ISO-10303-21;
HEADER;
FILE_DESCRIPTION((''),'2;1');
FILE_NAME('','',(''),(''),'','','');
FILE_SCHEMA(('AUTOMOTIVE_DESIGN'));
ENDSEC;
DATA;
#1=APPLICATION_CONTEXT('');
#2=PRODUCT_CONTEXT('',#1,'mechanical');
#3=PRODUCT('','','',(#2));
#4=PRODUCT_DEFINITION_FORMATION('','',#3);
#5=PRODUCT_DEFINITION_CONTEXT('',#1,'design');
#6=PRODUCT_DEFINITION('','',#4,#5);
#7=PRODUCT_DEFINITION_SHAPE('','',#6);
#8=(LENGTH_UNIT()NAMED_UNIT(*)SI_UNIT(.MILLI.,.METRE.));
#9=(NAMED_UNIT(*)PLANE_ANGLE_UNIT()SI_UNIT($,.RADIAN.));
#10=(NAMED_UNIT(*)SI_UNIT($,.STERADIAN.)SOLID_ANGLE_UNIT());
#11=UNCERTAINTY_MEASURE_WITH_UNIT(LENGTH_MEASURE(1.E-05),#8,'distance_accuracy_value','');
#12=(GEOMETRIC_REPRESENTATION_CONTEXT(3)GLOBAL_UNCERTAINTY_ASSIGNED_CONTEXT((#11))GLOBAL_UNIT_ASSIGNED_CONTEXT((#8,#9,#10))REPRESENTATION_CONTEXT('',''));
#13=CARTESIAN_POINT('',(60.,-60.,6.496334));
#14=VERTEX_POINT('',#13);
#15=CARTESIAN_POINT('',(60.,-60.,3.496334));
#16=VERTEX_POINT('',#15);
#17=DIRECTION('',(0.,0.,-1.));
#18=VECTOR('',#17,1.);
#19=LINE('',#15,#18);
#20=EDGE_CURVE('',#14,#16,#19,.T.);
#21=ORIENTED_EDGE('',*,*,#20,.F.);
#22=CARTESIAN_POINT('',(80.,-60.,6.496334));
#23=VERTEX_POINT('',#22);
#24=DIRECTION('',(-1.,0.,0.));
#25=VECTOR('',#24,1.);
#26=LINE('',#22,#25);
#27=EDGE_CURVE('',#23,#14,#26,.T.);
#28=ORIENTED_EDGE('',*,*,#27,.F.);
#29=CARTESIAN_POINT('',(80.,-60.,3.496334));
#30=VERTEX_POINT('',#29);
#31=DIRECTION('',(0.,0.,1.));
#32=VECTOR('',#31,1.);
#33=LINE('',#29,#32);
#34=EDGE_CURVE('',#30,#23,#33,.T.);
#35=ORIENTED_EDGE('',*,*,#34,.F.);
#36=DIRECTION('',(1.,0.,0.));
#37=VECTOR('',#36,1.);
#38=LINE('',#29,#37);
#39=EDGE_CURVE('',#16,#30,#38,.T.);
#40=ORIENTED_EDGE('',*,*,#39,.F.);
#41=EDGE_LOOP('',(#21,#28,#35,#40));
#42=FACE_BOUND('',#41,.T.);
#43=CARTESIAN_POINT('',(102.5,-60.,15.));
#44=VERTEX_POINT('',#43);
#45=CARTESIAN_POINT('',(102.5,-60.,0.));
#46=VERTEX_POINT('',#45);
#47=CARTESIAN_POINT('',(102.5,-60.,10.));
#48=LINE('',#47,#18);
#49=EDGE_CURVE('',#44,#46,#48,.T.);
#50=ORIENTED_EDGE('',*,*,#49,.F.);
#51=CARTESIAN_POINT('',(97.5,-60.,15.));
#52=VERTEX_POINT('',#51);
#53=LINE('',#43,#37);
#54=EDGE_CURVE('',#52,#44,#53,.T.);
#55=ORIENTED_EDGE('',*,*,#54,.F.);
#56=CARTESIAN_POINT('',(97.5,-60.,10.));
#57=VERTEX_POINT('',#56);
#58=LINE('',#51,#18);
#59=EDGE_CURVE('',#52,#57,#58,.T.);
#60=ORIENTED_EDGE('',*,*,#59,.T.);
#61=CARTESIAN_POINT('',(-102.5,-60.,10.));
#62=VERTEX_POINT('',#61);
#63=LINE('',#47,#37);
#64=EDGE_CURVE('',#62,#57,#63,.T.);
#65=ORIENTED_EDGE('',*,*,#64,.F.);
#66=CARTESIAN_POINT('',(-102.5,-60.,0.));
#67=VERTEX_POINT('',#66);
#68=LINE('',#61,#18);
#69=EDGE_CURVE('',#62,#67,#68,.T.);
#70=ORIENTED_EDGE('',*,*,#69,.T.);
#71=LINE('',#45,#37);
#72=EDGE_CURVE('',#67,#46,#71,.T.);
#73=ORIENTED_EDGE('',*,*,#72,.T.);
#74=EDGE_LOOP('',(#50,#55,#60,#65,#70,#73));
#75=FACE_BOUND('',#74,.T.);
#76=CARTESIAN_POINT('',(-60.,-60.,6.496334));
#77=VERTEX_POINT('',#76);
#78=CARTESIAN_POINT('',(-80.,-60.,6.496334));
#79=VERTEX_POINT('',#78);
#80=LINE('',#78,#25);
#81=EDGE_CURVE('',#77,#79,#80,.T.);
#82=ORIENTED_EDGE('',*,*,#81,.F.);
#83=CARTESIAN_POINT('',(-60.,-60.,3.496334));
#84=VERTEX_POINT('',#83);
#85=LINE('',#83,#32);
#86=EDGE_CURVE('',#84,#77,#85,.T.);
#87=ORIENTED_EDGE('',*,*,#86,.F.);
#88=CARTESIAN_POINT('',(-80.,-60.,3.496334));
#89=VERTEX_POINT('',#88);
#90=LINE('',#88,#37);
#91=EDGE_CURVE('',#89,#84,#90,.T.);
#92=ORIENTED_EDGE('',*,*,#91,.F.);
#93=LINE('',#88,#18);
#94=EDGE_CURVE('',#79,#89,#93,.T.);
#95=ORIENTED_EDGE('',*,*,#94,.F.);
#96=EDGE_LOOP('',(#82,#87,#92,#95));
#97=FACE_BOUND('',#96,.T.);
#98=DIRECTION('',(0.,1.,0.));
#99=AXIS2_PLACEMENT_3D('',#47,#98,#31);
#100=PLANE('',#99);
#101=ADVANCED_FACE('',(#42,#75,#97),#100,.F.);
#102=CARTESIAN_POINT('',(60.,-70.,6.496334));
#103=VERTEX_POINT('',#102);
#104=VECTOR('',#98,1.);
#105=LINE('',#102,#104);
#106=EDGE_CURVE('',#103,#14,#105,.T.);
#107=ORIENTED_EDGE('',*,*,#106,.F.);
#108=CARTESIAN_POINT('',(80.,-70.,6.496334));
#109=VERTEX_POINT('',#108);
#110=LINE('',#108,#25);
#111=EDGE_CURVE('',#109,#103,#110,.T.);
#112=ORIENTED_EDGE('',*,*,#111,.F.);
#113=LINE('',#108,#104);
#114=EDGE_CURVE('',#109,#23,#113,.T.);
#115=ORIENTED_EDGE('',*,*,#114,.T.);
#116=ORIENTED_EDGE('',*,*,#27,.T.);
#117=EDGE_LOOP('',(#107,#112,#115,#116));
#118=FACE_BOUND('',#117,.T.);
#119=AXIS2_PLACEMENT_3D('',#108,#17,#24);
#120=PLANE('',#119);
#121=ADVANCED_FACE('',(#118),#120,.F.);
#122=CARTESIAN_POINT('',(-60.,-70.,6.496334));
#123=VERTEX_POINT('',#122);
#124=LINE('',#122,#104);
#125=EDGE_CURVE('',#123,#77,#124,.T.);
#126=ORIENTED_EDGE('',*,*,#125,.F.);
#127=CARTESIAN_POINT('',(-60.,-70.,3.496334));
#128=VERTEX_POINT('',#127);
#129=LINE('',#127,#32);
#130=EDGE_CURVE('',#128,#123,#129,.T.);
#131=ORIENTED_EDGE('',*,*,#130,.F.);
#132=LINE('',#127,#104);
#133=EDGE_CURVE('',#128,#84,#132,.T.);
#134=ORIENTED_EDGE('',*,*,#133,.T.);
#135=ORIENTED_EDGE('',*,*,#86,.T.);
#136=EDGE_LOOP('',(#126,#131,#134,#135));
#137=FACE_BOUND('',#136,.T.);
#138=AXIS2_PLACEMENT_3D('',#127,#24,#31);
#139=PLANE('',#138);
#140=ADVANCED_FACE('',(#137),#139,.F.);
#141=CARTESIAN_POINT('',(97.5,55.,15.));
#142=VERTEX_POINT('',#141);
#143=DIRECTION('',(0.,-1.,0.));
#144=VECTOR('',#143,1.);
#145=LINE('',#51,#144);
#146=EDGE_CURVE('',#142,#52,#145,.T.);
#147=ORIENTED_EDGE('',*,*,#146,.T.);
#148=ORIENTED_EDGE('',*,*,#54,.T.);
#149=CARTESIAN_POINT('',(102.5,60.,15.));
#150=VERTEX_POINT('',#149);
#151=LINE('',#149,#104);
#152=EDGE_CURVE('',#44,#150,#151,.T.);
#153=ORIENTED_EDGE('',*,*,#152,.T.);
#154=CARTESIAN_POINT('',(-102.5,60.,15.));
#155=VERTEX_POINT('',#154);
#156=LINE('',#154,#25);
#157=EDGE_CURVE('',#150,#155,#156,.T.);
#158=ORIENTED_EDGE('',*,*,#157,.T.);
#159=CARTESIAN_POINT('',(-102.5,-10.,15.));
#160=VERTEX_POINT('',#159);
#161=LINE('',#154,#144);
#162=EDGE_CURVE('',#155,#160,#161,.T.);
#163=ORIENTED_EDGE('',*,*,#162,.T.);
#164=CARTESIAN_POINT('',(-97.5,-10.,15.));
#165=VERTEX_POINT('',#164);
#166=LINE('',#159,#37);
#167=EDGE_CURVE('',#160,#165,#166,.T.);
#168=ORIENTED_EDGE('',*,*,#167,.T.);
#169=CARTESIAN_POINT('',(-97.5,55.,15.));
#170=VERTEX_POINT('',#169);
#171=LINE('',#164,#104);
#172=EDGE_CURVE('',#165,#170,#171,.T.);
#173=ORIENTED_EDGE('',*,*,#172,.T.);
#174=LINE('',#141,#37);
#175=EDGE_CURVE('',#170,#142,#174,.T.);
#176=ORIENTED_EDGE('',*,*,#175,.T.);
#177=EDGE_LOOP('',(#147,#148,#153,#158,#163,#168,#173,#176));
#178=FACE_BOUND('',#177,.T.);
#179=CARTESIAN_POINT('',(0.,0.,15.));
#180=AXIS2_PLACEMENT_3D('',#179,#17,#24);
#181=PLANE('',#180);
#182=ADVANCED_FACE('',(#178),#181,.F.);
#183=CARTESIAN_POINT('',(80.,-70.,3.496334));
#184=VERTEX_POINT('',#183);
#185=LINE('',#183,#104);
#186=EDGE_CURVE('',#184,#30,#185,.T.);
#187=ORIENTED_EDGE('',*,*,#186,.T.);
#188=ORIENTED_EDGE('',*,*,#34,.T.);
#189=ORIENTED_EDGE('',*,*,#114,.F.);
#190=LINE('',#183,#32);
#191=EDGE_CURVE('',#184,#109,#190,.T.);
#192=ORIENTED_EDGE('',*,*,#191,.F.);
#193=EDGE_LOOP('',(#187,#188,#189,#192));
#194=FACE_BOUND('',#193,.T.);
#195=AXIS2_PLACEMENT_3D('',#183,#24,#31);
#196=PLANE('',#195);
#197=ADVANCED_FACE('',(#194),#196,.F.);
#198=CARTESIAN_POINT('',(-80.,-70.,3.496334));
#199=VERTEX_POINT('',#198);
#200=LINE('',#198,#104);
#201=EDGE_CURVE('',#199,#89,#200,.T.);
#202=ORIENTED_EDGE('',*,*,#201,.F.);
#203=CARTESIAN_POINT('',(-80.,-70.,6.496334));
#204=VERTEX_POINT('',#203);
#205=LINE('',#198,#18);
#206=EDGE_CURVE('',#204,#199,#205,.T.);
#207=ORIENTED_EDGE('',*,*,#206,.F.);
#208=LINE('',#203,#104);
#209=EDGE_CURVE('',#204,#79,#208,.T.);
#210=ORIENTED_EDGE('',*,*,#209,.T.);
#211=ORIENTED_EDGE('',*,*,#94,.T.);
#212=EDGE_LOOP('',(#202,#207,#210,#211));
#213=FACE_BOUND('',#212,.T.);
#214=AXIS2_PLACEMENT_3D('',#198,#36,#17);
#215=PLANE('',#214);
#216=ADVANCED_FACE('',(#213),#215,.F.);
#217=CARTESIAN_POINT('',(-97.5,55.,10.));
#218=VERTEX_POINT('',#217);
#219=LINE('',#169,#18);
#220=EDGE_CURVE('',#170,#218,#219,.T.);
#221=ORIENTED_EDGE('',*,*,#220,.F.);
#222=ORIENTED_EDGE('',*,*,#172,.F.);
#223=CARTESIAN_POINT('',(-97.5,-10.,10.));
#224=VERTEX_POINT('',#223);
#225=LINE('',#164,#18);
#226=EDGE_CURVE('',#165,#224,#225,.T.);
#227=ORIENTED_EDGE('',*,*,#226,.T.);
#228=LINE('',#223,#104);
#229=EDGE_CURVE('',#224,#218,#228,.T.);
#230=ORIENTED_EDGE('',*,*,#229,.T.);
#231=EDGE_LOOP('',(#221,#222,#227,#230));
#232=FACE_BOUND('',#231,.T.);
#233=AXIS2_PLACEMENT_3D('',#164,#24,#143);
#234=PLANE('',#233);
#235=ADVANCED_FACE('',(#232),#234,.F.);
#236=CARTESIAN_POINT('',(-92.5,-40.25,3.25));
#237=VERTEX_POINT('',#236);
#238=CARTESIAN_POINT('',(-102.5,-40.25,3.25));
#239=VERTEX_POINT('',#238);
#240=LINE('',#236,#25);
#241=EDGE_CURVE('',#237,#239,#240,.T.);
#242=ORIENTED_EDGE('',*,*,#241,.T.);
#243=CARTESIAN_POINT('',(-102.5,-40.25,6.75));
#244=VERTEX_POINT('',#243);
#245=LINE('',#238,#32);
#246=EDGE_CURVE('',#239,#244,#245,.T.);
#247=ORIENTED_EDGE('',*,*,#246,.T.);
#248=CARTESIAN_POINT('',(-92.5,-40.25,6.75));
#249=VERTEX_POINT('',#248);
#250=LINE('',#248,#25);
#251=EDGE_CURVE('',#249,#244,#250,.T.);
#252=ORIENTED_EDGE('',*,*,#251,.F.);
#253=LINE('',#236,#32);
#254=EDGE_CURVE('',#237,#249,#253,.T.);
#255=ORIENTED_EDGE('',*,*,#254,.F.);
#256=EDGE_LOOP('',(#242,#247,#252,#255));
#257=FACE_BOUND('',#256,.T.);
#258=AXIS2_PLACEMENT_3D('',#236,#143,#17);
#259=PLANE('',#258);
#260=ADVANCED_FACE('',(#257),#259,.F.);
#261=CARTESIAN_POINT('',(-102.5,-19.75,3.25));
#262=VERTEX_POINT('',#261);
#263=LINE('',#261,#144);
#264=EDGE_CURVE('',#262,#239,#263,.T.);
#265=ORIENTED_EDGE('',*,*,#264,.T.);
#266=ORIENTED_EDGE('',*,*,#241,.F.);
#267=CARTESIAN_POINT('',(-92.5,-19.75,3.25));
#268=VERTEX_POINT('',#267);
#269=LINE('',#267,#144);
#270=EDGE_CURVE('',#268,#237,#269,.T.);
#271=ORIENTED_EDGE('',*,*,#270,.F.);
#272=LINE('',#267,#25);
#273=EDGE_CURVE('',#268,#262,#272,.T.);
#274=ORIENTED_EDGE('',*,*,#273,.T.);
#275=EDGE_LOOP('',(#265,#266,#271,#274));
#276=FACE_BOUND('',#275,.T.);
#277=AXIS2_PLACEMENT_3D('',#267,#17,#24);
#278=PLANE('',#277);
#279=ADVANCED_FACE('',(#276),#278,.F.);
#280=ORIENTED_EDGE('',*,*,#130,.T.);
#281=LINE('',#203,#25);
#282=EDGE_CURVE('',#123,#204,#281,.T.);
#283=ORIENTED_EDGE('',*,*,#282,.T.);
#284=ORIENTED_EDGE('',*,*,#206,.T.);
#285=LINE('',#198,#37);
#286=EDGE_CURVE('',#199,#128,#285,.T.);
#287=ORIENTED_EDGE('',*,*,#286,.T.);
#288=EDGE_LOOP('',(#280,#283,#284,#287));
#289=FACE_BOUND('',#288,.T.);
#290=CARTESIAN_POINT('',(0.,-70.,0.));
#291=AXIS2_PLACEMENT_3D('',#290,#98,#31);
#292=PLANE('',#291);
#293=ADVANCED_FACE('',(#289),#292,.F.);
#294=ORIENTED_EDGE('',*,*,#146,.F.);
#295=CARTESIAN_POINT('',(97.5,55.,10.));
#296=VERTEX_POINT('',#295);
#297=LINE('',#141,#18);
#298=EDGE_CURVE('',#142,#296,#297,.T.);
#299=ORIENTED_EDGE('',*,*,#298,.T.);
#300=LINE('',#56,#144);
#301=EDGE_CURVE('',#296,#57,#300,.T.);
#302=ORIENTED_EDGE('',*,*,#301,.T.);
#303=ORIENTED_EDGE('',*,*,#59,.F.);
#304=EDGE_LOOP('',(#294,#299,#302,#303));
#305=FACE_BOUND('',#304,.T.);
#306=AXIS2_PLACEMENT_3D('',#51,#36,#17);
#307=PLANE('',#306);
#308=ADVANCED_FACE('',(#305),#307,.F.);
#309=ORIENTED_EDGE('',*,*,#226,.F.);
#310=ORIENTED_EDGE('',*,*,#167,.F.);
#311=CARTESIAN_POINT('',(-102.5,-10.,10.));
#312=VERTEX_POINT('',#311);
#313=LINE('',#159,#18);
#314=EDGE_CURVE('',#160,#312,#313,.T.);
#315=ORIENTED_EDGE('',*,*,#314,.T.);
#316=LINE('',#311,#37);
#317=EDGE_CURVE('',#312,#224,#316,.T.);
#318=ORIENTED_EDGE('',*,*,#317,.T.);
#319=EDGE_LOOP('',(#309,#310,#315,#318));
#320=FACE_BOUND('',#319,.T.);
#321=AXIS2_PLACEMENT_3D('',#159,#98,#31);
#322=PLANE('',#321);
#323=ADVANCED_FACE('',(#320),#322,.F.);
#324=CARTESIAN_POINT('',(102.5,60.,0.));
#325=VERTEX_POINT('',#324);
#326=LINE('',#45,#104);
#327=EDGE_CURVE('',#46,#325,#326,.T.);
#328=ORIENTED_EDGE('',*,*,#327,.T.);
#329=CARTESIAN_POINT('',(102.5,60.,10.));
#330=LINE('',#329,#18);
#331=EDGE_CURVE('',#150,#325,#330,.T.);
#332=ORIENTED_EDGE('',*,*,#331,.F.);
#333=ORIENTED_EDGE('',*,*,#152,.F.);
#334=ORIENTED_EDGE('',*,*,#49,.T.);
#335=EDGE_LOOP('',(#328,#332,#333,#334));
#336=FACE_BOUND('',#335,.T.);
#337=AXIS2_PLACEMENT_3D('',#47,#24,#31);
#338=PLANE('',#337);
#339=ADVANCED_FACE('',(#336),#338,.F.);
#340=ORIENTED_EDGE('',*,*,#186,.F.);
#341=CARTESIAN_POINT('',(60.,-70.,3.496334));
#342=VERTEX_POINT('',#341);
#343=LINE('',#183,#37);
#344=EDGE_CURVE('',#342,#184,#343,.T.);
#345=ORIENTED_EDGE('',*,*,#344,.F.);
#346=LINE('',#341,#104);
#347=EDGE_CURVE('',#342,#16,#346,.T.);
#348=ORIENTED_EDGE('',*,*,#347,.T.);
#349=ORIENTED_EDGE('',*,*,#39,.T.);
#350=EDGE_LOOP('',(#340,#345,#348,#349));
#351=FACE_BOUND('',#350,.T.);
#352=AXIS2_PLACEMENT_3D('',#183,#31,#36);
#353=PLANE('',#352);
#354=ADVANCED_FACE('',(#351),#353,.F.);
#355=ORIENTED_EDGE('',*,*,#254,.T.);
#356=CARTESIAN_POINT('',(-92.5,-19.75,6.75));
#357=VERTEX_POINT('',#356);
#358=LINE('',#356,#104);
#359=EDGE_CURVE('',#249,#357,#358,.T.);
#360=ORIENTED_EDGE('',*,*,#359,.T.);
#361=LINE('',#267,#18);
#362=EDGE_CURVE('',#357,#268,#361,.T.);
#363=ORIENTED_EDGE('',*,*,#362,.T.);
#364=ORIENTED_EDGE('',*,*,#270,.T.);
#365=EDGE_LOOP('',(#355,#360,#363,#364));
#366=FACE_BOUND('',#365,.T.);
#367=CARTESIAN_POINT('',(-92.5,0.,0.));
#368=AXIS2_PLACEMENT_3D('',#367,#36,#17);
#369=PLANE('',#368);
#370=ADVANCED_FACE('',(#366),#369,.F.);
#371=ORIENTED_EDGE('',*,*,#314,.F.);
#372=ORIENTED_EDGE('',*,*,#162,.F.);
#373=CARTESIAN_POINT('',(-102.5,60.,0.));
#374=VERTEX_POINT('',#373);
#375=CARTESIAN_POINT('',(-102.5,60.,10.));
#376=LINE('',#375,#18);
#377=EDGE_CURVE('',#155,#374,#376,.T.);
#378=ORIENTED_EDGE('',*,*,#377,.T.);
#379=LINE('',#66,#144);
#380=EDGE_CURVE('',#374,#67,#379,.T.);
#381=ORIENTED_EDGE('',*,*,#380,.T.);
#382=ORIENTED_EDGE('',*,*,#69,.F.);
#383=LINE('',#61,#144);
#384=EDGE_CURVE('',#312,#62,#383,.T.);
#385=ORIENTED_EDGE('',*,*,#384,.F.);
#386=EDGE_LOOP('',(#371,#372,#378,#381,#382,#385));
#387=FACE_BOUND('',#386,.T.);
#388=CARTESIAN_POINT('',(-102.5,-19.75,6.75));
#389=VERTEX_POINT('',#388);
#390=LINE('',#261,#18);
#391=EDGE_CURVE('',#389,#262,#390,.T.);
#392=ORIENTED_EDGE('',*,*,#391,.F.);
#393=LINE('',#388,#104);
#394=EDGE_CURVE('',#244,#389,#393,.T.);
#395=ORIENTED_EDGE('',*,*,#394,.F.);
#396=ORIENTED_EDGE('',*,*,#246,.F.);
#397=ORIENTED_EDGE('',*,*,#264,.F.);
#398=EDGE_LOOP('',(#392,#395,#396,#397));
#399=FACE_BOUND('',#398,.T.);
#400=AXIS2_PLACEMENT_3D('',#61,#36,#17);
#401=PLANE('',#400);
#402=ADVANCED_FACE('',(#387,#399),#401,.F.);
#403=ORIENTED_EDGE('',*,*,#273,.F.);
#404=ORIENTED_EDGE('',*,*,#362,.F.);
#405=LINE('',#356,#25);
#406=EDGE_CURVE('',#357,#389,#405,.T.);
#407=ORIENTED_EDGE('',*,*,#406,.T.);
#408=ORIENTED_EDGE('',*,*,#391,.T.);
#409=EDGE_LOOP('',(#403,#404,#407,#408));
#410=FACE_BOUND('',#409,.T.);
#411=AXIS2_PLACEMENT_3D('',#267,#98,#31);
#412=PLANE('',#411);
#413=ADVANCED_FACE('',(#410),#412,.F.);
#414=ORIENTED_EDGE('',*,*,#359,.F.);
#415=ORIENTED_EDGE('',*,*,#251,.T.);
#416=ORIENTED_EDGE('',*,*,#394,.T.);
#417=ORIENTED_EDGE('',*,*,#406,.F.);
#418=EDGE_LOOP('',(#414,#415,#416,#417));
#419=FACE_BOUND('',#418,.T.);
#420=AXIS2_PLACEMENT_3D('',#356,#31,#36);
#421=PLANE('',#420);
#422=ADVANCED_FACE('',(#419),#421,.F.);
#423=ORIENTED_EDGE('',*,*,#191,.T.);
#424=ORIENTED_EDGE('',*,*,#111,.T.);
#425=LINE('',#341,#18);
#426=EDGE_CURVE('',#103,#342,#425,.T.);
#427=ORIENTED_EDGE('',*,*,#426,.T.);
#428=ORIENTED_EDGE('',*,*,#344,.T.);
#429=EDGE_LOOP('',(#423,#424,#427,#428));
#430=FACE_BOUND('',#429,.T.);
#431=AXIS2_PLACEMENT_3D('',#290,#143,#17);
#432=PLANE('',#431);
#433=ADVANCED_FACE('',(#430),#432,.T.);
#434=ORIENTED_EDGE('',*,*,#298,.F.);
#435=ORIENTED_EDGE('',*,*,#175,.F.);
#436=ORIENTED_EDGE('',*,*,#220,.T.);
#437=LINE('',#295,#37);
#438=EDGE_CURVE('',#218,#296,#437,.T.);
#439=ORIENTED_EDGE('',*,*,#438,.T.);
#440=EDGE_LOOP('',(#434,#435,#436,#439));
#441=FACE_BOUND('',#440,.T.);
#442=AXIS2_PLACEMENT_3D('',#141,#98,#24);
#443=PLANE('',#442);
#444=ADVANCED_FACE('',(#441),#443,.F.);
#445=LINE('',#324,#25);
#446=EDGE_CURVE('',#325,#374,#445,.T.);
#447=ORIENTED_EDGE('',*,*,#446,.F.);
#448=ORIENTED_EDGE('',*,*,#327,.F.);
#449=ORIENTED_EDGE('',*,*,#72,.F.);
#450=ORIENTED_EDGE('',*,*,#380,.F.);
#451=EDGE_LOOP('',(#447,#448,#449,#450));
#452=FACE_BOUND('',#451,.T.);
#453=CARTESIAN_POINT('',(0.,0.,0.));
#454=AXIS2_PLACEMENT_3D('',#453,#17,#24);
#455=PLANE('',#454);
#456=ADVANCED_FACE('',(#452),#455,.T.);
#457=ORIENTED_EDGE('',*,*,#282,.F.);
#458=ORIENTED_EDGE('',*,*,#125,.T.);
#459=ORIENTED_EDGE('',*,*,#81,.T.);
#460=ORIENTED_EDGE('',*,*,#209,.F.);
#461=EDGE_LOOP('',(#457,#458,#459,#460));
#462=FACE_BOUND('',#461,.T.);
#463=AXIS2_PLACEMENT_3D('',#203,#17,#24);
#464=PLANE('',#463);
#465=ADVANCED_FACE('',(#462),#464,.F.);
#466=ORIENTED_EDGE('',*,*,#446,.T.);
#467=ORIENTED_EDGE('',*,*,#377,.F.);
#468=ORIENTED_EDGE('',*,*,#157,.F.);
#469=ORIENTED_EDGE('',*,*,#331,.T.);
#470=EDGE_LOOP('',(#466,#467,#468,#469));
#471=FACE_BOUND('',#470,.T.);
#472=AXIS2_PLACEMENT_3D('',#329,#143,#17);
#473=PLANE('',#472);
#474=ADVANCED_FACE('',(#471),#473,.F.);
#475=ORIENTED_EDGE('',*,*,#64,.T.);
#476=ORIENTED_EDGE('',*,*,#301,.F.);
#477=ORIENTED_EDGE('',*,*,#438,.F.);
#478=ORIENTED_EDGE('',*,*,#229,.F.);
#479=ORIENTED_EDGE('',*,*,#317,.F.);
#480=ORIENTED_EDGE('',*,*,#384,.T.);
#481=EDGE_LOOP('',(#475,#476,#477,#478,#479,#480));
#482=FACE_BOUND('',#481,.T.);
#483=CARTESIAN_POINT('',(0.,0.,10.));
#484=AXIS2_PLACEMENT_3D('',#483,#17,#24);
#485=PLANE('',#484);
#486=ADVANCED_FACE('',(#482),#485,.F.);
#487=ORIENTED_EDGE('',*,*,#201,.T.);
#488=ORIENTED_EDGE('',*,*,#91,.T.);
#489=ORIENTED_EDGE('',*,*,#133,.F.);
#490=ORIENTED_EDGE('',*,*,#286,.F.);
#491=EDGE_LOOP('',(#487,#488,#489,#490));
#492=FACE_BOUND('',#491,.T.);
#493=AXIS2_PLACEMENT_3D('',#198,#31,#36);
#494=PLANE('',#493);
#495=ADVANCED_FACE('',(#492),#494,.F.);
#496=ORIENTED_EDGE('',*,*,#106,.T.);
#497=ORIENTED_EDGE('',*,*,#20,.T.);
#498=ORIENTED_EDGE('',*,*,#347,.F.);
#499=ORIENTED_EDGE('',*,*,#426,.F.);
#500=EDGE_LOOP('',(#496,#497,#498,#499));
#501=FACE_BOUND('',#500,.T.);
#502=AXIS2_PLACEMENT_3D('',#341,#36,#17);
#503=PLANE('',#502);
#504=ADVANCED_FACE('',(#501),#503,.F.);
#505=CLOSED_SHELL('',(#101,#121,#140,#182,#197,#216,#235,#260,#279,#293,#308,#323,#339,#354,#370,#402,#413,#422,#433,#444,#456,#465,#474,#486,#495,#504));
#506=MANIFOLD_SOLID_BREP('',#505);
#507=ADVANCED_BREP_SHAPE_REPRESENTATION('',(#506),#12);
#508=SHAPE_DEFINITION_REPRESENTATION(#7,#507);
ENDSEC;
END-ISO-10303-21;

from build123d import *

# Parameters (mm, degrees)
SKETCH1_W           = 120
SKETCH1_H           = 205
BOSS_EXTRUDE1_DEPTH = 10
BOSS_EXTRUDE2_DEPTH = 5
SKETCH3_W           = 20.5
SKETCH3_H           = 3.5
CUT_EXTRUDE1_DEPTH  = 10
SKETCH4_W           = 20
SKETCH4_H           = 3
BOSS_EXTRUDE3_DEPTH = 10


with BuildPart() as part:
    # Sketch1 → Boss-Extrude1 (new body)
    with BuildSketch(Plane(origin=(0, 0, 0), x_dir=(0, 1, 0), z_dir=(0, 0, 1))):
        Rectangle(SKETCH1_W, SKETCH1_H)
    extrude(amount=BOSS_EXTRUDE1_DEPTH)

    # Sketch2 → Boss-Extrude2 (add)
    with BuildSketch(Plane.XY.offset(10)):
        Polygon((102.5, -60), (97.5, -60), (97.5, 55), (-97.5, 55), (-97.5, -10), (-102.5, -10), (-102.5, 60), (102.5, 60), align=None)
    extrude(amount=BOSS_EXTRUDE2_DEPTH)

    # Sketch3 → Cut-Extrude1 (cut)
    with BuildSketch(Plane(origin=(-102.5, 0, 0), x_dir=(0, -1, 0), z_dir=(-1, 0, 0))):
        with Locations((30, 5)):
            Rectangle(SKETCH3_W, SKETCH3_H)
    extrude(amount=-CUT_EXTRUDE1_DEPTH, mode=Mode.SUBTRACT)

    # Sketch4 → Boss-Extrude3 (add)
    with BuildSketch(Plane.XZ.offset(60)):
        with Locations((-70, 4.996334029)):
            Rectangle(SKETCH4_W, SKETCH4_H)
        with Locations((70, 4.996334029)):
            Rectangle(SKETCH4_W, SKETCH4_H)
    extrude(amount=BOSS_EXTRUDE3_DEPTH)


solid = part.part
